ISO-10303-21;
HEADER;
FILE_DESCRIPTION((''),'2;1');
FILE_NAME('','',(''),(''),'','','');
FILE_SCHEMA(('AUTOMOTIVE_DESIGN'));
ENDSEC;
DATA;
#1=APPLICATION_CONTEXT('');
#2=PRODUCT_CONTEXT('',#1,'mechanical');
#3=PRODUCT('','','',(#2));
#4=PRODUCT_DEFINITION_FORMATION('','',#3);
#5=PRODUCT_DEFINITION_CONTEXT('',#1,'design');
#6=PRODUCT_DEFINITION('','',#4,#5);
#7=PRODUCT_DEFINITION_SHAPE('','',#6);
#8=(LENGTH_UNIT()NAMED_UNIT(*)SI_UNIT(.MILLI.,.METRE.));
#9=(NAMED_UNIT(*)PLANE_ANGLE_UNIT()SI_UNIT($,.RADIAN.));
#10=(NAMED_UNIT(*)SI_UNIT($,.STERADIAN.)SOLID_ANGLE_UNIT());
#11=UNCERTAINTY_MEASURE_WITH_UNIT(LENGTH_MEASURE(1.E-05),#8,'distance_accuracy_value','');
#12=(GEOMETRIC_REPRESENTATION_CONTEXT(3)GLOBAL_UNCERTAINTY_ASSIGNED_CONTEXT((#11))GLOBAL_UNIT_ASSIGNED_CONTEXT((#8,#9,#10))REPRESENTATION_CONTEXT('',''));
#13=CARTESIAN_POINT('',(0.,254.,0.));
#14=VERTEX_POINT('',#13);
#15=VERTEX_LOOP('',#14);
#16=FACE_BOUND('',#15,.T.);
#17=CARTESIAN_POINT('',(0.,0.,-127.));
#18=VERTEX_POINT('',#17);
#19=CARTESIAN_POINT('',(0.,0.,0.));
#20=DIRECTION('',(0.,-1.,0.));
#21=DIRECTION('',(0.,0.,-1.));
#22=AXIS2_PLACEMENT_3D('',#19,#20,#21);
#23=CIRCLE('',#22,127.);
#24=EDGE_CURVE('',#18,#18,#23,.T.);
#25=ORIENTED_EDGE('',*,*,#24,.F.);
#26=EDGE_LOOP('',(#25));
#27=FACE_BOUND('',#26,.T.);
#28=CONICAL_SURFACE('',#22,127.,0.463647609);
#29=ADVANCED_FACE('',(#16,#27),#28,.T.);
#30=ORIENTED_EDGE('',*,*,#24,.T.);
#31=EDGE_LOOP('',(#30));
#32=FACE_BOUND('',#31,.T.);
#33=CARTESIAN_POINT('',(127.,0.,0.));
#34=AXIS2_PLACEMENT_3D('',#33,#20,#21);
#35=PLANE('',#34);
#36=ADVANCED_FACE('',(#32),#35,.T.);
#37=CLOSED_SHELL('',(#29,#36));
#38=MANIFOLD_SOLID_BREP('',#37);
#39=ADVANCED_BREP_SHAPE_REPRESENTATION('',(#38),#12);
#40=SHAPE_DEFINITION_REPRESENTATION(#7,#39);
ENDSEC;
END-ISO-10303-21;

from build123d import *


with BuildPart() as part:
    # Sketch1 → Revolve1 (revolve)
    with BuildSketch(Plane.XY, mode=Mode.PRIVATE) as revolve1_sk:
        Polygon((0, 0), (0, 254), (127, 0), align=None)
    revolve(revolve1_sk.sketch.rotate(Axis((0, 0, 0), (0, 1, 0)), 90), axis=Axis((0, 0, 0), (0, 1, 0)))


solid = part.part
